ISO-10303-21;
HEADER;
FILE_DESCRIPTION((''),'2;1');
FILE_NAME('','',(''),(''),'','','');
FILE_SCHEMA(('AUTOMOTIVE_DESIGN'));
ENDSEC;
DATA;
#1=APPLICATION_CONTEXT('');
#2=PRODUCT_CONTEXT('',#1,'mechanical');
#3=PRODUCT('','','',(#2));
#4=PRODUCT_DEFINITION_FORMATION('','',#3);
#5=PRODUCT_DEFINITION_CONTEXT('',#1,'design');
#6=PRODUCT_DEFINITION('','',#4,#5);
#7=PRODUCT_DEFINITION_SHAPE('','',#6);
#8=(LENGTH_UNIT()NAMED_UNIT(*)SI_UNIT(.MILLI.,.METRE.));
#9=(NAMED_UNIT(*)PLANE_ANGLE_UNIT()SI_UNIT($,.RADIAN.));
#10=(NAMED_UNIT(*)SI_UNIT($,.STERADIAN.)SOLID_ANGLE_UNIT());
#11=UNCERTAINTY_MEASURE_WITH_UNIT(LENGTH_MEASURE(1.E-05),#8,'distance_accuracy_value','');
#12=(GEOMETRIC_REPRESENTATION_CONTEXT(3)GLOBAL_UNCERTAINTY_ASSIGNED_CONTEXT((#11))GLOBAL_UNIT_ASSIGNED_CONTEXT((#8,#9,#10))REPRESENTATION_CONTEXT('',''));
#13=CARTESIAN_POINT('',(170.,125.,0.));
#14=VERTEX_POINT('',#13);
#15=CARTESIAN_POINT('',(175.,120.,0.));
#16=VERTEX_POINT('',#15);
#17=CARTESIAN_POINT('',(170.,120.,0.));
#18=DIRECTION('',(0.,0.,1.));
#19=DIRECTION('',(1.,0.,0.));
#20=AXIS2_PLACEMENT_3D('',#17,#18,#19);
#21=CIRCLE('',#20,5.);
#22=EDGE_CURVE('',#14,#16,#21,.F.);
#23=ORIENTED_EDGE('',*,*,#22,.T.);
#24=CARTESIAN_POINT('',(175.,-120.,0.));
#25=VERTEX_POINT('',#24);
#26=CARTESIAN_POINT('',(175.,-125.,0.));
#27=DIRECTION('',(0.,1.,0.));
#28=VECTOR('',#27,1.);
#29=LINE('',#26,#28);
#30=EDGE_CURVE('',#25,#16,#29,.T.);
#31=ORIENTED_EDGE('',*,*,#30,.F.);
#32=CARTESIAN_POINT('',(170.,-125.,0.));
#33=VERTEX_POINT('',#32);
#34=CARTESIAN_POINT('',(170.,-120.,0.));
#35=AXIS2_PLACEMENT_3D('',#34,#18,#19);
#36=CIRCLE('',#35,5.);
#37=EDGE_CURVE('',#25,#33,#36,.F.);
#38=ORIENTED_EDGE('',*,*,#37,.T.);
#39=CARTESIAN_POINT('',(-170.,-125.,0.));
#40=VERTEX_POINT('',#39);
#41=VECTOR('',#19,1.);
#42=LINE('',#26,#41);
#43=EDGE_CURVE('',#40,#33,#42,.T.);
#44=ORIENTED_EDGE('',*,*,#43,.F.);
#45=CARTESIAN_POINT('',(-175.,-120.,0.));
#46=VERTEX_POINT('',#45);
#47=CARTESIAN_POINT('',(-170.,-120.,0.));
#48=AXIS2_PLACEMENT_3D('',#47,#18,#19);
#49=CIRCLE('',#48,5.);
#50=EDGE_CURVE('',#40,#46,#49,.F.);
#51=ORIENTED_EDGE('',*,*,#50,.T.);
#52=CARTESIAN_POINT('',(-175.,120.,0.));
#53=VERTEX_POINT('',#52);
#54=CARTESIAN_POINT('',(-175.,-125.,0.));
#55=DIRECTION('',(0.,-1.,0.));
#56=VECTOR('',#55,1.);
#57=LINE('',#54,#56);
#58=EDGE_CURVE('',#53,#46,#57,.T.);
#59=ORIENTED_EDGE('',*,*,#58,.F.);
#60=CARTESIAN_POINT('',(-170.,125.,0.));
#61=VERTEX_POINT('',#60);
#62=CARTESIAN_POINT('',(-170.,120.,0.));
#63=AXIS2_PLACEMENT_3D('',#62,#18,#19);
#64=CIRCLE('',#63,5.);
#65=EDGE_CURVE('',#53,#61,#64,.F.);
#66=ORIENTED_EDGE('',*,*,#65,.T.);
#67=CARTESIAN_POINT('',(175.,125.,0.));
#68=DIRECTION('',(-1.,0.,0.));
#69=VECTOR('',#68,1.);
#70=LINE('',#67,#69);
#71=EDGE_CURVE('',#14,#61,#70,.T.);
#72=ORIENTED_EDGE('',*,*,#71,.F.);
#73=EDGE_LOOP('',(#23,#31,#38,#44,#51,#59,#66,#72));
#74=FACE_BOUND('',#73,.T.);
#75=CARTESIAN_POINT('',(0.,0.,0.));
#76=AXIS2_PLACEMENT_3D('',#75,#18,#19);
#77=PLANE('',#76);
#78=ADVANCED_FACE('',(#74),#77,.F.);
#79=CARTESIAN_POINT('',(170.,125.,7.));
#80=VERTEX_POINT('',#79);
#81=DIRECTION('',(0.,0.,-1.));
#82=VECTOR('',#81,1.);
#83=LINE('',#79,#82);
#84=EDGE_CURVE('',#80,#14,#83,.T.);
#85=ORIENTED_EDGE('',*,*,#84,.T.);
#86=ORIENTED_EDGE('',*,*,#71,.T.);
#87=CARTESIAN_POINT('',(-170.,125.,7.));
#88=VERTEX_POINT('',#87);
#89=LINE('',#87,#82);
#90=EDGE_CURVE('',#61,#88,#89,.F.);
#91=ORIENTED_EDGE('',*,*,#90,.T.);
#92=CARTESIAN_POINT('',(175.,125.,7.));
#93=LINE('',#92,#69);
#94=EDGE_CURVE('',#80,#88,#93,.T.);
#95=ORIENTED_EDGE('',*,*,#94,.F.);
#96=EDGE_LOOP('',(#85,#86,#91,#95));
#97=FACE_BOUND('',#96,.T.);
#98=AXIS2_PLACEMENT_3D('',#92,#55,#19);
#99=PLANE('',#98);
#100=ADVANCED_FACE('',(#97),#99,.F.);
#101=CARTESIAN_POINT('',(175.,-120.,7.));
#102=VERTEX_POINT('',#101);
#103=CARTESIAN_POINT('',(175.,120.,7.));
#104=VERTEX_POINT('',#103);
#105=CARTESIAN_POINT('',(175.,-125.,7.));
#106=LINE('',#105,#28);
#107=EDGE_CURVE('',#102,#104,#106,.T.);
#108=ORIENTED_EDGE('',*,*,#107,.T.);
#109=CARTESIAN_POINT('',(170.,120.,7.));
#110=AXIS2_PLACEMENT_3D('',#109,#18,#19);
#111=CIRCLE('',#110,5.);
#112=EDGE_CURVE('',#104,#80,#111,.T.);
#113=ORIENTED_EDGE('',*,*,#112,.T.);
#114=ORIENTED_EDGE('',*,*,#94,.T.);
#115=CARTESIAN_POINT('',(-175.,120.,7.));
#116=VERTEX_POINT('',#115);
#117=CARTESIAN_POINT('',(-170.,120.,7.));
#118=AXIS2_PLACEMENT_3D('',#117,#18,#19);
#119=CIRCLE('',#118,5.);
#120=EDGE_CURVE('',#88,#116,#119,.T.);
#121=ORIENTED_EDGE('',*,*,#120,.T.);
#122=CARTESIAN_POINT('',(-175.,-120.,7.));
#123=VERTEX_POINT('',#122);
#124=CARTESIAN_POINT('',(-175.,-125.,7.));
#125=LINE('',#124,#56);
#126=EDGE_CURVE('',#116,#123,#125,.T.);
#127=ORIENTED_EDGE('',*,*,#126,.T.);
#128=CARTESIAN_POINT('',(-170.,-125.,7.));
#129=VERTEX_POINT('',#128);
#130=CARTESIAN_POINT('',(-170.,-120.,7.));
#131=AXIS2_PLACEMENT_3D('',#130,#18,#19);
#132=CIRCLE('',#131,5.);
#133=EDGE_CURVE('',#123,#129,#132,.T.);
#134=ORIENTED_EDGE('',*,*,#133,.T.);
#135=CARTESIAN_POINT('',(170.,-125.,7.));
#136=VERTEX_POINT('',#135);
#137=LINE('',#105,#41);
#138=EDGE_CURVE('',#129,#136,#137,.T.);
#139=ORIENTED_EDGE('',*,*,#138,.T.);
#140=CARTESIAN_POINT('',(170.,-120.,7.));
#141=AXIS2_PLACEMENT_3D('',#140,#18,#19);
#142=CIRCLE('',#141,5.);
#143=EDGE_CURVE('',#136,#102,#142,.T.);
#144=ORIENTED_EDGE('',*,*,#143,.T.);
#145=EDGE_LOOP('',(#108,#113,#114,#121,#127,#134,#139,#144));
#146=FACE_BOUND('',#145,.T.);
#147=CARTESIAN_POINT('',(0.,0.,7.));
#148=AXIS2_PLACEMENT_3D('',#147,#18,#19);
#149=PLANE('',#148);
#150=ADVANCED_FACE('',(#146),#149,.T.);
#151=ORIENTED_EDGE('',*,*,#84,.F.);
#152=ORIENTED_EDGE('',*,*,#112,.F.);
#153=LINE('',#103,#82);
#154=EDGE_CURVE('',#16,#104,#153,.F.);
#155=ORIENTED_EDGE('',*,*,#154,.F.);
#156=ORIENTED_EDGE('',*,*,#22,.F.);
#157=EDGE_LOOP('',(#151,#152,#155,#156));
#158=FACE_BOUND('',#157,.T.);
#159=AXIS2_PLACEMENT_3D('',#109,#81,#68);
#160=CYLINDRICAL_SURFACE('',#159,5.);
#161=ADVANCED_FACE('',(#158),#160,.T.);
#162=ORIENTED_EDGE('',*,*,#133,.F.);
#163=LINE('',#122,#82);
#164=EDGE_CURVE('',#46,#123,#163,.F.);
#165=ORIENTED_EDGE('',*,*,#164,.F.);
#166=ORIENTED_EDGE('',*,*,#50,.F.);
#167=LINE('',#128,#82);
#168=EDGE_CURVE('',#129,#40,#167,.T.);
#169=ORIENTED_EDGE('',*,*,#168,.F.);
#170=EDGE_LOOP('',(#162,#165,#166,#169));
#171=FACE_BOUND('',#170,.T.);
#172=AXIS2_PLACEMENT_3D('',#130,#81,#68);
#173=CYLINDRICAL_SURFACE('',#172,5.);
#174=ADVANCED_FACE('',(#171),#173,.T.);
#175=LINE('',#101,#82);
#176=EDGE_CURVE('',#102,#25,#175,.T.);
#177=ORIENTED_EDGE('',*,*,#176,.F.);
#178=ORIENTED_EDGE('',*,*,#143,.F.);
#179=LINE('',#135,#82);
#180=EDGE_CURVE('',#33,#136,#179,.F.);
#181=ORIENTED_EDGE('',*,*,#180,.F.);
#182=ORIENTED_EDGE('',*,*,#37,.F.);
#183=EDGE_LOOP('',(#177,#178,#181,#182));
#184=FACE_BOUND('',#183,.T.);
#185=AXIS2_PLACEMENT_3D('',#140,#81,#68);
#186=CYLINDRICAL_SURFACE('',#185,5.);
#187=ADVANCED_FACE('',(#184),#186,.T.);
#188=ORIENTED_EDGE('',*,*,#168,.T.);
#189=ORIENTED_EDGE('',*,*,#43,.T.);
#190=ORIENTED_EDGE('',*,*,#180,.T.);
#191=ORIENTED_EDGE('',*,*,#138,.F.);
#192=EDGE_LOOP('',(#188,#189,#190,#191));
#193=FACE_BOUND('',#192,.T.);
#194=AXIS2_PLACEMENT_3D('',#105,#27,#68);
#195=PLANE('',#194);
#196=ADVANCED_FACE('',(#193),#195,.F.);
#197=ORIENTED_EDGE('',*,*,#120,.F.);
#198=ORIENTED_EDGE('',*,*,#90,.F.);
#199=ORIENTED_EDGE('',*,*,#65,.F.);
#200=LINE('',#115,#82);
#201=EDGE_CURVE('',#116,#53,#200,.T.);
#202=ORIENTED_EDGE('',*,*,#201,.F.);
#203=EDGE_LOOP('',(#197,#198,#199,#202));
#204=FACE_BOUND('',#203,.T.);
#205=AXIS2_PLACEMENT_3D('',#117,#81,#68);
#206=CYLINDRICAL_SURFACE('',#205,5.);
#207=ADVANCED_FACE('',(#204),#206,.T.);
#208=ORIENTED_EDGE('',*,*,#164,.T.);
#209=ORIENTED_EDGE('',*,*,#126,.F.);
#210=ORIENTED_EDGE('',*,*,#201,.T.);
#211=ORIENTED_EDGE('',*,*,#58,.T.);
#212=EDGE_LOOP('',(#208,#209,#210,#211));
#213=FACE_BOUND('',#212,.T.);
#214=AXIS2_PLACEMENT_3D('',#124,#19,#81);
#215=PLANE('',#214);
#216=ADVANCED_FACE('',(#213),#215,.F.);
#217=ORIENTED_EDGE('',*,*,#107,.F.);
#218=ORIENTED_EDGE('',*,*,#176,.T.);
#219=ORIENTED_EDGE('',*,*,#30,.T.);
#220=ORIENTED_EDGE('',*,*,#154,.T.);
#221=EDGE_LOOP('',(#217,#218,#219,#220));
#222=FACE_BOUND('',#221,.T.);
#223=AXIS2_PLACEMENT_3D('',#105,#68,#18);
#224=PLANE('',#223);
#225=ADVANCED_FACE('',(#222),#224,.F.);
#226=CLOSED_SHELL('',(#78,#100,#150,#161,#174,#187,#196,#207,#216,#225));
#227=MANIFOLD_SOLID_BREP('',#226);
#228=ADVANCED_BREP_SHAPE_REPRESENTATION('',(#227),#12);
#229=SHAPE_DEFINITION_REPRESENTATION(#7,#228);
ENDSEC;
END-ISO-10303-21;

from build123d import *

# Parameters (mm, degrees)
ESQUISSE1_W        = 350
ESQUISSE1_H        = 250
BOSS_EXTRU_1_DEPTH = 7
CONG_1_R           = 5


with BuildPart() as part:
    # Esquisse1 → Boss.-Extru.1 (new body)
    with BuildSketch(Plane.XY):
        Rectangle(ESQUISSE1_W, ESQUISSE1_H)
    extrude(amount=BOSS_EXTRU_1_DEPTH)

    # Congé1
    cong_1_edges = [part.edges().sort_by_distance(p)[0] for p in [
        (-175, 125, 3.5),
        (175, 125, 3.5),
        (175, -125, 3.5),
        (-175, -125, 3.5),
    ]]
    fillet(cong_1_edges, radius=CONG_1_R)


solid = part.part
